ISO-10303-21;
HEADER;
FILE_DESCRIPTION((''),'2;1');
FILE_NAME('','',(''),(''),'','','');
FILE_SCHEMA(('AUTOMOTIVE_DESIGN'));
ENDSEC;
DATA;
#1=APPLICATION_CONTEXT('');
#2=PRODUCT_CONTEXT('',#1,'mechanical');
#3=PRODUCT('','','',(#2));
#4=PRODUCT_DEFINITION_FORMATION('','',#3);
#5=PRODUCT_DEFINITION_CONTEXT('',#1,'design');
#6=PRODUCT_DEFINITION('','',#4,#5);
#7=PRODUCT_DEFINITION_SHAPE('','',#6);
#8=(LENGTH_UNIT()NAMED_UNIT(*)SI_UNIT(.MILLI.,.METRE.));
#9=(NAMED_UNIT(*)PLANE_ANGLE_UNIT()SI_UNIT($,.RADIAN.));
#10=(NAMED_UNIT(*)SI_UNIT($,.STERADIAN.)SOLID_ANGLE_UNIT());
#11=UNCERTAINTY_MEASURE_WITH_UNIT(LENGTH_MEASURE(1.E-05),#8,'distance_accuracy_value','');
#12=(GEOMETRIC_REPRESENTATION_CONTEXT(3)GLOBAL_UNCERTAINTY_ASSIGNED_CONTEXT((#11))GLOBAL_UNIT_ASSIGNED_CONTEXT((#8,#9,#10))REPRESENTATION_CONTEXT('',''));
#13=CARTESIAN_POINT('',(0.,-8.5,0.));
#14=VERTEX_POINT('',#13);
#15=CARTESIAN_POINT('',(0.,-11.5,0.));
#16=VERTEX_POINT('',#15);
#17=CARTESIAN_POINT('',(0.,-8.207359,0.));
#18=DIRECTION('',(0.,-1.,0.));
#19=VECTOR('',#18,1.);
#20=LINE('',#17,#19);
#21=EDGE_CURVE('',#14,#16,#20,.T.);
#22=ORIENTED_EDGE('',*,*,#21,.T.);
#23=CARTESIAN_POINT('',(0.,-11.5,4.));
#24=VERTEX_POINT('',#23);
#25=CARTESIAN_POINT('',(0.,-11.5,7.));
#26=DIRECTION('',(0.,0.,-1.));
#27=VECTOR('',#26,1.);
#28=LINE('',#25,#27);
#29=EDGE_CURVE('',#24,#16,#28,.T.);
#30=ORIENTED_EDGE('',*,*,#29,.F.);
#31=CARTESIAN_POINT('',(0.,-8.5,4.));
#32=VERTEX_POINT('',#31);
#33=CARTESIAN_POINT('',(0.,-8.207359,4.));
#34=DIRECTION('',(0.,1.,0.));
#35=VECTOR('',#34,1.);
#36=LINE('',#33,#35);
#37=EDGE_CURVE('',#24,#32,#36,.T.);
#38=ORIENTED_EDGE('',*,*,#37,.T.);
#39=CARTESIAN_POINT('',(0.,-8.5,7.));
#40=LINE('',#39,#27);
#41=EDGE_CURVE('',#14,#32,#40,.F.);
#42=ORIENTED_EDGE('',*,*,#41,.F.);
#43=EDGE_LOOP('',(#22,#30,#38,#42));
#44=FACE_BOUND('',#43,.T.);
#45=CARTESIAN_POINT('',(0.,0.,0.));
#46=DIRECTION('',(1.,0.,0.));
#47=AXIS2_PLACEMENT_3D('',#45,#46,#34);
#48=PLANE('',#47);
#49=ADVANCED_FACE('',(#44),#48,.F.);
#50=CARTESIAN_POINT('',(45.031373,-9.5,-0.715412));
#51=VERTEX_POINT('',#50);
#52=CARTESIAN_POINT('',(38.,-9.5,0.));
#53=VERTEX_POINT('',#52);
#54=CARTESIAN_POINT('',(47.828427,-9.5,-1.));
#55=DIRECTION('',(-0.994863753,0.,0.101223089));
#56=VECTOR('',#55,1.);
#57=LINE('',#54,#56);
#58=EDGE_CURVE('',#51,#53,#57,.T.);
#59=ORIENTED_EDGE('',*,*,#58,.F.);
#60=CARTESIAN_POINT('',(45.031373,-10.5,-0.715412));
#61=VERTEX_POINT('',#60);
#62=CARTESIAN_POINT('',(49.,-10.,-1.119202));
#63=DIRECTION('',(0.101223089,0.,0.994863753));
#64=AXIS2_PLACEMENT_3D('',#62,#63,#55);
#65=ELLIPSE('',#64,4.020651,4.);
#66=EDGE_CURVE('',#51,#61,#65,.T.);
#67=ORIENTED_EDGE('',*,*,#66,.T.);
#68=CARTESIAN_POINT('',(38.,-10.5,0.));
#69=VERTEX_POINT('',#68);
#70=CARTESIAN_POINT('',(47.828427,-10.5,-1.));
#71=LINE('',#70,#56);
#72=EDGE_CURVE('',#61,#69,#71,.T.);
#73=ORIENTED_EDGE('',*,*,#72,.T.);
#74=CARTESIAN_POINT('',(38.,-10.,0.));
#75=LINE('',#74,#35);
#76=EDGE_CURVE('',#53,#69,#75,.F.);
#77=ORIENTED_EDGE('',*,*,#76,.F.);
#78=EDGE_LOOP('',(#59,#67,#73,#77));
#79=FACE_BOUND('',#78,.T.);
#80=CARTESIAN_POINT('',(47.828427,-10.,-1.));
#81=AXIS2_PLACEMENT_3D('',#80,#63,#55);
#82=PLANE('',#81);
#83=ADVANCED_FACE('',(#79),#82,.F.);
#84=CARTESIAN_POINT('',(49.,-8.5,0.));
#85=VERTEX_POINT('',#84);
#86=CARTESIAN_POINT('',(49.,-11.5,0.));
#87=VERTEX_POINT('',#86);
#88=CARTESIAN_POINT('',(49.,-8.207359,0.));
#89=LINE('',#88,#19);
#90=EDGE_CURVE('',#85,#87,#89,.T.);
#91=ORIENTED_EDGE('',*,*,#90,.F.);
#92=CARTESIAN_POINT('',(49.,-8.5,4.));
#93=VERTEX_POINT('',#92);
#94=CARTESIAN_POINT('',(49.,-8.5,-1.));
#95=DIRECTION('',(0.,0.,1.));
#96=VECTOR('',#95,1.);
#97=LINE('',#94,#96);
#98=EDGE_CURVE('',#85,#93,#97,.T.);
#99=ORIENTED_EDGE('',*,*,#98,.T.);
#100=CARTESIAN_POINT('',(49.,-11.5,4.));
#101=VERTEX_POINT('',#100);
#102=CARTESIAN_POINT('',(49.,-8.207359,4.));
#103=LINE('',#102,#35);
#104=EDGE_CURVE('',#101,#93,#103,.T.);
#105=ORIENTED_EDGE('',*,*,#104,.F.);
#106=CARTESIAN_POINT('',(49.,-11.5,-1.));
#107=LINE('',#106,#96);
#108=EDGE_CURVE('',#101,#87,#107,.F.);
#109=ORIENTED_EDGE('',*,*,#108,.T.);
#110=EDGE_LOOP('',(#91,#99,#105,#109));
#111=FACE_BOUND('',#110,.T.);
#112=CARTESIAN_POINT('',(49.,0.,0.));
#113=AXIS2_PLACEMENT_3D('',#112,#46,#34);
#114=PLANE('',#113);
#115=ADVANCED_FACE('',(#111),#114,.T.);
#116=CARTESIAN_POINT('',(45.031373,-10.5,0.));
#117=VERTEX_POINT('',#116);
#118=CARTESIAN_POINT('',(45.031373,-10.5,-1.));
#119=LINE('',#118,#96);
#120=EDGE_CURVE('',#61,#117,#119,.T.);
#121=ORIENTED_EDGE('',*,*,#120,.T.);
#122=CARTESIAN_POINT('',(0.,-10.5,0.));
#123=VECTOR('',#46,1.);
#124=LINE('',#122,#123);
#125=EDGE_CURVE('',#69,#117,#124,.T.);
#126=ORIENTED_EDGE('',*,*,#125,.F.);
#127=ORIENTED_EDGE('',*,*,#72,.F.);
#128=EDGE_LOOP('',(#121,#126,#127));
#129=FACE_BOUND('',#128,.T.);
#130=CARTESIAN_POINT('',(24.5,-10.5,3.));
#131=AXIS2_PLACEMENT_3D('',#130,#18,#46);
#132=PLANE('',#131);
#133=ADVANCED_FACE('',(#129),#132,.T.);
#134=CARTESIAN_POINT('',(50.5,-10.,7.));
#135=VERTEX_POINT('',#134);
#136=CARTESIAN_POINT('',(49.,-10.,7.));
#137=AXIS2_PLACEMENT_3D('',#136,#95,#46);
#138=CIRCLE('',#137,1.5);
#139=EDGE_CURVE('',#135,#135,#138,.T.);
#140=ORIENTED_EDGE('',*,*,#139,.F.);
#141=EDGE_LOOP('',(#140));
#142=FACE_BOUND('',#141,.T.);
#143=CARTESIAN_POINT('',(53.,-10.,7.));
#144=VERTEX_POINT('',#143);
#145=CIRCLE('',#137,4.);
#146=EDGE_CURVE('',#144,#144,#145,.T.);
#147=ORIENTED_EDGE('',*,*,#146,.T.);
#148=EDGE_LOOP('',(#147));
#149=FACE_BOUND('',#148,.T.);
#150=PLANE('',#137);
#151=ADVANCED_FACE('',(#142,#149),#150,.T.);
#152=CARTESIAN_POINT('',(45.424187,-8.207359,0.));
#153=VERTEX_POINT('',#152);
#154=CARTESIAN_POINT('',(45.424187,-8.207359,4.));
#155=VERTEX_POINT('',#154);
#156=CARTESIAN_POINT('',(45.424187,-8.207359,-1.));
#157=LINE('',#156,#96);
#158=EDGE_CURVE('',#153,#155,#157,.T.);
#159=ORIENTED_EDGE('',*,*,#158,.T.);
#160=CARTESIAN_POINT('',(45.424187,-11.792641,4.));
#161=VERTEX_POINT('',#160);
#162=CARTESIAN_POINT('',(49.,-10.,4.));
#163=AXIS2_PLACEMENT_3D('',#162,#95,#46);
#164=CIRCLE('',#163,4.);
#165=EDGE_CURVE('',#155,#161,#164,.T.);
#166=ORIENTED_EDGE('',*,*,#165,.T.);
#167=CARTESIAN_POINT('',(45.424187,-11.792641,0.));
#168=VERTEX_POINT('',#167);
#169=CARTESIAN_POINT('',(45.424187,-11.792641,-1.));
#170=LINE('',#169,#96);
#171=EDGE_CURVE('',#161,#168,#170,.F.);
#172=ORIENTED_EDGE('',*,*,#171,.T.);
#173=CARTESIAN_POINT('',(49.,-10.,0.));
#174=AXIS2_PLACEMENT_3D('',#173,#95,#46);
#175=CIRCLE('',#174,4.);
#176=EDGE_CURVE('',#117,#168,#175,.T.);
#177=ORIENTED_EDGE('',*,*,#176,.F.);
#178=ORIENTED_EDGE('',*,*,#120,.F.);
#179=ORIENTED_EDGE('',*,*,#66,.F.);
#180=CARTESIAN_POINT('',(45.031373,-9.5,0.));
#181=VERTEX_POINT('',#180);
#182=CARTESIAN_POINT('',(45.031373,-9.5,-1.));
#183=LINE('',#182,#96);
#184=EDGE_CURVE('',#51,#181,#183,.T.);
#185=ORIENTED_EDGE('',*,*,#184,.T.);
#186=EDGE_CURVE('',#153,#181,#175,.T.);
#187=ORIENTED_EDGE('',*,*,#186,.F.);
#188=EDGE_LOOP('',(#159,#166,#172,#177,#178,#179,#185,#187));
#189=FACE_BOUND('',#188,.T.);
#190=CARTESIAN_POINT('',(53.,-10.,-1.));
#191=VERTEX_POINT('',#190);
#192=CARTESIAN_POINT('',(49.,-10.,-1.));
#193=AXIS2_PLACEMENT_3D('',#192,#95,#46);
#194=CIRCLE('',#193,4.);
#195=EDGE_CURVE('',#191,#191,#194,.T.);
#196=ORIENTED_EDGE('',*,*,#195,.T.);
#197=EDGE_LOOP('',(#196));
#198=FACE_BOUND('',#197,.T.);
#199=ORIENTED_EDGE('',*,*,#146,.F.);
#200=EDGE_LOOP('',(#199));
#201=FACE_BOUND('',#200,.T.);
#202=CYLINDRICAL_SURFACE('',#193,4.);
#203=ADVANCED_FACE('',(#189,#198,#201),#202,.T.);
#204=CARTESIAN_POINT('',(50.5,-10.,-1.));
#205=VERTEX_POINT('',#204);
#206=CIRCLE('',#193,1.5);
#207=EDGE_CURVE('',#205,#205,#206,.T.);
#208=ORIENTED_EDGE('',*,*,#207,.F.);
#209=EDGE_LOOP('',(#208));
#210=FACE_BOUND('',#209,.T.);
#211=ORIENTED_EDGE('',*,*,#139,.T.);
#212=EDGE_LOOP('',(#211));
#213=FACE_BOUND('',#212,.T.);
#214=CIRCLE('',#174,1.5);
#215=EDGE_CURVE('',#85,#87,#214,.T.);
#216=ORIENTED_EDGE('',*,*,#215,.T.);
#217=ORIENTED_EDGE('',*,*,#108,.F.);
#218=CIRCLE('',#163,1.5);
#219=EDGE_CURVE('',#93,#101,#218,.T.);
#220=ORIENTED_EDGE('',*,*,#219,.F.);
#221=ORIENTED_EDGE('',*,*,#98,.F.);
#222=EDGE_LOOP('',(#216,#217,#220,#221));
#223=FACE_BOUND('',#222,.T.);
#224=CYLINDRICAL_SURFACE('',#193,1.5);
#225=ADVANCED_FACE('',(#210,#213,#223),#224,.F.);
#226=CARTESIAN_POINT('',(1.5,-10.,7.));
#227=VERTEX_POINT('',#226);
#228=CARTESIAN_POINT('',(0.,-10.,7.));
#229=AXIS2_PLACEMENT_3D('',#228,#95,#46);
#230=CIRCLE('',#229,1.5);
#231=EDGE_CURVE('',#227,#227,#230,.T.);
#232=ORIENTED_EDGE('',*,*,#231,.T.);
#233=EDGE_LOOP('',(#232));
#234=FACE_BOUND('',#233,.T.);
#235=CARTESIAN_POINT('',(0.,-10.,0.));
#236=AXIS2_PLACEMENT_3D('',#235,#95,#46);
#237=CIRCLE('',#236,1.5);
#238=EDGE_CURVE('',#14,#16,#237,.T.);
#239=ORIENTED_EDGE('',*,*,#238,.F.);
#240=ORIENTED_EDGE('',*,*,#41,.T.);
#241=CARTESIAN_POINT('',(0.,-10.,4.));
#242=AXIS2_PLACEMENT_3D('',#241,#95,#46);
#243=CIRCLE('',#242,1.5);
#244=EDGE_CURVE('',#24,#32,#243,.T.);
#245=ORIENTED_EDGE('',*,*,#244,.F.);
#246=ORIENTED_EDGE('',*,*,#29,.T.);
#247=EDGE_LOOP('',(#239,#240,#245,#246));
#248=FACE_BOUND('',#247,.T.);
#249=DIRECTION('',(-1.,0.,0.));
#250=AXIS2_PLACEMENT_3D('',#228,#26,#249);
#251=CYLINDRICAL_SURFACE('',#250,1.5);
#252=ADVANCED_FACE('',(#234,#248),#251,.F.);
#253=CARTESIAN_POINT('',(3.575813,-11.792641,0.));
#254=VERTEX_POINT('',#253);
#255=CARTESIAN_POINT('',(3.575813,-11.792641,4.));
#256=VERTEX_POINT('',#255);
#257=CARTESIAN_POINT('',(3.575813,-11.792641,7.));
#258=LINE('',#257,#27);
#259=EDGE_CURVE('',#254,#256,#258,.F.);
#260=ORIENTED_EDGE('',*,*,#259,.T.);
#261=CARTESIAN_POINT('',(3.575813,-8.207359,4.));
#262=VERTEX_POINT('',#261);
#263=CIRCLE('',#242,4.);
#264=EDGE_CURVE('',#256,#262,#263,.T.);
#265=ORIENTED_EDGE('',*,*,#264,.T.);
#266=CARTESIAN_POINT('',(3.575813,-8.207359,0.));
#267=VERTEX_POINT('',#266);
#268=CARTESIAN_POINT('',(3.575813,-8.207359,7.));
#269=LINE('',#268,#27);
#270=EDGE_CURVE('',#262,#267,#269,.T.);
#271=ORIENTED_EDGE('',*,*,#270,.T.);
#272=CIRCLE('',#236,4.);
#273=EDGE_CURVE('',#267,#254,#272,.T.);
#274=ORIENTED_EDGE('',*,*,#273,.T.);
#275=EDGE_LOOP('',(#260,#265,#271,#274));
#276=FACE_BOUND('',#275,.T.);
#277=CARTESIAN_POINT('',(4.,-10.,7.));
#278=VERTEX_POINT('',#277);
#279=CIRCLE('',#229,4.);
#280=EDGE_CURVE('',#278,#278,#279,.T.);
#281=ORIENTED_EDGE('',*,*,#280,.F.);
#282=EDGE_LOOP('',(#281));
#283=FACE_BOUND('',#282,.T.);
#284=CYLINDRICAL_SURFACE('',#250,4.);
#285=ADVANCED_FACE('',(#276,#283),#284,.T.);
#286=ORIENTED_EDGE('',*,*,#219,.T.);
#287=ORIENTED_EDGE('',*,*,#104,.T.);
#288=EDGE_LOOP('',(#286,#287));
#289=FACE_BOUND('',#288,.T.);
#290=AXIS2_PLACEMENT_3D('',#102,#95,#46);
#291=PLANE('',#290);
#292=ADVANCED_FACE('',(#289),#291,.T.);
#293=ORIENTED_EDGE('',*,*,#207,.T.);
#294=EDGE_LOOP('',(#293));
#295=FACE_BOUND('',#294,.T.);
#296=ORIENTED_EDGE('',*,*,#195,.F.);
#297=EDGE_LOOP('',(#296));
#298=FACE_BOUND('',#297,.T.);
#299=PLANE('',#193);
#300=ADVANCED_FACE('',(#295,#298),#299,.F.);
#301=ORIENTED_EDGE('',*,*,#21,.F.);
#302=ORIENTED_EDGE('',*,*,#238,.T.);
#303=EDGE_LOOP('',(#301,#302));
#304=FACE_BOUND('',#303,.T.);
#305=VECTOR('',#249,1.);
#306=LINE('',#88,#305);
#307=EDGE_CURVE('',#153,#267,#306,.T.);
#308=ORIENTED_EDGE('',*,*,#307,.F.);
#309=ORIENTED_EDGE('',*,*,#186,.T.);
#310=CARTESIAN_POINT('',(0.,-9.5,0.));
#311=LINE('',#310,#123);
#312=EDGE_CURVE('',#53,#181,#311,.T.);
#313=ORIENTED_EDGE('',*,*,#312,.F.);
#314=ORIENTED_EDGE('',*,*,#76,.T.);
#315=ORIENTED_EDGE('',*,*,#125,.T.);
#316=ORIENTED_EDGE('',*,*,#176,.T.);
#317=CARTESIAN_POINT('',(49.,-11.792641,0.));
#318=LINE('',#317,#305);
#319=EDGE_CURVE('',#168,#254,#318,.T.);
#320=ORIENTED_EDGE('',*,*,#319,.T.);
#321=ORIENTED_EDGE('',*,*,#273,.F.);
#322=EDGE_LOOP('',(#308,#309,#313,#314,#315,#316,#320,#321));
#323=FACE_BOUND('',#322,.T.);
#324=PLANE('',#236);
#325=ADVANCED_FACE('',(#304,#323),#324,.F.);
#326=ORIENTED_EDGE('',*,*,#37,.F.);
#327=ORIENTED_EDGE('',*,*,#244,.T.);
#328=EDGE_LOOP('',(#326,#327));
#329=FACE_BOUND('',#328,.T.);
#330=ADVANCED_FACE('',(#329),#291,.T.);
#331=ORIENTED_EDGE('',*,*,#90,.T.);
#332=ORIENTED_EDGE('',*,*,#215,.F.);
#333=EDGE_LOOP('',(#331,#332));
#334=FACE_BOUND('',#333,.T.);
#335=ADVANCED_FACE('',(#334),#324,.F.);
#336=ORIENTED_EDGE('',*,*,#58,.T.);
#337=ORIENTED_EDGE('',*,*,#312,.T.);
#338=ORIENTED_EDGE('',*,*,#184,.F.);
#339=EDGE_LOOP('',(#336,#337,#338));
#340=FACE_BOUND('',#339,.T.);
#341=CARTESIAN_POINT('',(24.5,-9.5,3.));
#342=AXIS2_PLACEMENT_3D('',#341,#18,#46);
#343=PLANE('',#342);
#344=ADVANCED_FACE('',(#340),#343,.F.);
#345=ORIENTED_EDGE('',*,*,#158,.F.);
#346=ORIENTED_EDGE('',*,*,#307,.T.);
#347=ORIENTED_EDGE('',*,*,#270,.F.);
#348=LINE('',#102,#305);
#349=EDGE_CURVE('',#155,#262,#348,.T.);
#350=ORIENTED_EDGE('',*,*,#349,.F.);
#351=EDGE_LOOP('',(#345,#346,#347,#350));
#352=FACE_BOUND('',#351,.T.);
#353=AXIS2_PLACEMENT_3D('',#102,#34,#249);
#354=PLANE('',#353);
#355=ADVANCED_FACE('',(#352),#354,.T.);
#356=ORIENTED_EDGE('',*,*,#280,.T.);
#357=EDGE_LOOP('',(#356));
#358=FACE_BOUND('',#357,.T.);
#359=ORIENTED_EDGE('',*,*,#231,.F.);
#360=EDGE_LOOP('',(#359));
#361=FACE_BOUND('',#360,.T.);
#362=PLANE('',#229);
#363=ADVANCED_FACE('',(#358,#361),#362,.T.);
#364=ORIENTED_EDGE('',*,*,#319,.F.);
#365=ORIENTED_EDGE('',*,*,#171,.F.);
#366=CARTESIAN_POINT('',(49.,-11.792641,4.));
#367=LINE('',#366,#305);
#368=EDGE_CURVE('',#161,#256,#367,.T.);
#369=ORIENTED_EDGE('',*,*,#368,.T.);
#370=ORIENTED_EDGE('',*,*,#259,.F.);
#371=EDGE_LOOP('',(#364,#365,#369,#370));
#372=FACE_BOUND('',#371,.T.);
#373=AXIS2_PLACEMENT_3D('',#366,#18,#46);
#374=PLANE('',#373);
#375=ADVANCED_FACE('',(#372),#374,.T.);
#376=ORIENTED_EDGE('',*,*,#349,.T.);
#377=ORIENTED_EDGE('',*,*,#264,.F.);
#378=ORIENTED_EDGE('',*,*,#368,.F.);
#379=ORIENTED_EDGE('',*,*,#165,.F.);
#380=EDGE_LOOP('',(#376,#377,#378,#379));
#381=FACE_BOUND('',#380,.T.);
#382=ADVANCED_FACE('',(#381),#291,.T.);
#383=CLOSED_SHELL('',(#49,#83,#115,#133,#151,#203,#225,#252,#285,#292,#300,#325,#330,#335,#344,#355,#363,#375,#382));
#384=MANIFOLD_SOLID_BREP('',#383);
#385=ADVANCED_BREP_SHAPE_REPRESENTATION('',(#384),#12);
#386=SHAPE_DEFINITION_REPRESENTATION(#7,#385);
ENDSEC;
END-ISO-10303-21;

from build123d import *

# Parameters (mm, degrees)
CROQUIS1_R              = 4
CROQUIS1_R_2            = 1.5
SALIENTE_EXTRUIR1_DEPTH = 7
CROQUIS3_W              = 4
CROQUIS3_H              = 3.585282108
SALIENTE_EXTRUIR2_DEPTH = 49
CROQUIS4_R              = 4
CROQUIS4_R_2            = 1.5
SALIENTE_EXTRUIR3_DEPTH = 8
NERVIO1_REACH           = 55.61
CROQUIS6_WALL_W         = 119.09857021
CROQUIS6_WALL_H         = 1


with BuildPart() as part:
    # Croquis1 → Saliente-Extruir1 (new body)
    with BuildSketch(Plane.XY):
        with Locations((0, -10)):
            Circle(CROQUIS1_R)
        with Locations((0, -10)):
            Circle(CROQUIS1_R_2, mode=Mode.SUBTRACT)
    extrude(amount=SALIENTE_EXTRUIR1_DEPTH)

    # Croquis3 → Saliente-Extruir2 (add)
    with BuildSketch(Plane.ZY):
        with Locations((2, -10)):
            Rectangle(CROQUIS3_W, CROQUIS3_H)
    extrude(amount=-SALIENTE_EXTRUIR2_DEPTH)

    # Croquis4 → Saliente-Extruir3 (add)
    with BuildSketch(Plane.XY.offset(7)):
        with Locations((49, -10)):
            Circle(CROQUIS4_R)
        with Locations((49, -10)):
            Circle(CROQUIS4_R_2, mode=Mode.SUBTRACT)
    extrude(amount=-SALIENTE_EXTRUIR3_DEPTH)

    # Croquis6 wall → Nervio1 (add, up to next)
    with BuildSketch(Plane(origin=(42.914213562, -10, -0.5), x_dir=(-0.994863752618, 0, 0.1012230889), z_dir=(-0.1012230889, 0, -0.994863752618)), mode=Mode.PRIVATE) as nervio1_sk1:
        Rectangle(CROQUIS6_WALL_W, CROQUIS6_WALL_H)
    nervio1_tool1 = extrude(nervio1_sk1.sketch, amount=-NERVIO1_REACH, mode=Mode.PRIVATE) - part.part
    add(nervio1_tool1.solids().sort_by_distance((42.914213562, -10, -0.5))[0])


solid = part.part
